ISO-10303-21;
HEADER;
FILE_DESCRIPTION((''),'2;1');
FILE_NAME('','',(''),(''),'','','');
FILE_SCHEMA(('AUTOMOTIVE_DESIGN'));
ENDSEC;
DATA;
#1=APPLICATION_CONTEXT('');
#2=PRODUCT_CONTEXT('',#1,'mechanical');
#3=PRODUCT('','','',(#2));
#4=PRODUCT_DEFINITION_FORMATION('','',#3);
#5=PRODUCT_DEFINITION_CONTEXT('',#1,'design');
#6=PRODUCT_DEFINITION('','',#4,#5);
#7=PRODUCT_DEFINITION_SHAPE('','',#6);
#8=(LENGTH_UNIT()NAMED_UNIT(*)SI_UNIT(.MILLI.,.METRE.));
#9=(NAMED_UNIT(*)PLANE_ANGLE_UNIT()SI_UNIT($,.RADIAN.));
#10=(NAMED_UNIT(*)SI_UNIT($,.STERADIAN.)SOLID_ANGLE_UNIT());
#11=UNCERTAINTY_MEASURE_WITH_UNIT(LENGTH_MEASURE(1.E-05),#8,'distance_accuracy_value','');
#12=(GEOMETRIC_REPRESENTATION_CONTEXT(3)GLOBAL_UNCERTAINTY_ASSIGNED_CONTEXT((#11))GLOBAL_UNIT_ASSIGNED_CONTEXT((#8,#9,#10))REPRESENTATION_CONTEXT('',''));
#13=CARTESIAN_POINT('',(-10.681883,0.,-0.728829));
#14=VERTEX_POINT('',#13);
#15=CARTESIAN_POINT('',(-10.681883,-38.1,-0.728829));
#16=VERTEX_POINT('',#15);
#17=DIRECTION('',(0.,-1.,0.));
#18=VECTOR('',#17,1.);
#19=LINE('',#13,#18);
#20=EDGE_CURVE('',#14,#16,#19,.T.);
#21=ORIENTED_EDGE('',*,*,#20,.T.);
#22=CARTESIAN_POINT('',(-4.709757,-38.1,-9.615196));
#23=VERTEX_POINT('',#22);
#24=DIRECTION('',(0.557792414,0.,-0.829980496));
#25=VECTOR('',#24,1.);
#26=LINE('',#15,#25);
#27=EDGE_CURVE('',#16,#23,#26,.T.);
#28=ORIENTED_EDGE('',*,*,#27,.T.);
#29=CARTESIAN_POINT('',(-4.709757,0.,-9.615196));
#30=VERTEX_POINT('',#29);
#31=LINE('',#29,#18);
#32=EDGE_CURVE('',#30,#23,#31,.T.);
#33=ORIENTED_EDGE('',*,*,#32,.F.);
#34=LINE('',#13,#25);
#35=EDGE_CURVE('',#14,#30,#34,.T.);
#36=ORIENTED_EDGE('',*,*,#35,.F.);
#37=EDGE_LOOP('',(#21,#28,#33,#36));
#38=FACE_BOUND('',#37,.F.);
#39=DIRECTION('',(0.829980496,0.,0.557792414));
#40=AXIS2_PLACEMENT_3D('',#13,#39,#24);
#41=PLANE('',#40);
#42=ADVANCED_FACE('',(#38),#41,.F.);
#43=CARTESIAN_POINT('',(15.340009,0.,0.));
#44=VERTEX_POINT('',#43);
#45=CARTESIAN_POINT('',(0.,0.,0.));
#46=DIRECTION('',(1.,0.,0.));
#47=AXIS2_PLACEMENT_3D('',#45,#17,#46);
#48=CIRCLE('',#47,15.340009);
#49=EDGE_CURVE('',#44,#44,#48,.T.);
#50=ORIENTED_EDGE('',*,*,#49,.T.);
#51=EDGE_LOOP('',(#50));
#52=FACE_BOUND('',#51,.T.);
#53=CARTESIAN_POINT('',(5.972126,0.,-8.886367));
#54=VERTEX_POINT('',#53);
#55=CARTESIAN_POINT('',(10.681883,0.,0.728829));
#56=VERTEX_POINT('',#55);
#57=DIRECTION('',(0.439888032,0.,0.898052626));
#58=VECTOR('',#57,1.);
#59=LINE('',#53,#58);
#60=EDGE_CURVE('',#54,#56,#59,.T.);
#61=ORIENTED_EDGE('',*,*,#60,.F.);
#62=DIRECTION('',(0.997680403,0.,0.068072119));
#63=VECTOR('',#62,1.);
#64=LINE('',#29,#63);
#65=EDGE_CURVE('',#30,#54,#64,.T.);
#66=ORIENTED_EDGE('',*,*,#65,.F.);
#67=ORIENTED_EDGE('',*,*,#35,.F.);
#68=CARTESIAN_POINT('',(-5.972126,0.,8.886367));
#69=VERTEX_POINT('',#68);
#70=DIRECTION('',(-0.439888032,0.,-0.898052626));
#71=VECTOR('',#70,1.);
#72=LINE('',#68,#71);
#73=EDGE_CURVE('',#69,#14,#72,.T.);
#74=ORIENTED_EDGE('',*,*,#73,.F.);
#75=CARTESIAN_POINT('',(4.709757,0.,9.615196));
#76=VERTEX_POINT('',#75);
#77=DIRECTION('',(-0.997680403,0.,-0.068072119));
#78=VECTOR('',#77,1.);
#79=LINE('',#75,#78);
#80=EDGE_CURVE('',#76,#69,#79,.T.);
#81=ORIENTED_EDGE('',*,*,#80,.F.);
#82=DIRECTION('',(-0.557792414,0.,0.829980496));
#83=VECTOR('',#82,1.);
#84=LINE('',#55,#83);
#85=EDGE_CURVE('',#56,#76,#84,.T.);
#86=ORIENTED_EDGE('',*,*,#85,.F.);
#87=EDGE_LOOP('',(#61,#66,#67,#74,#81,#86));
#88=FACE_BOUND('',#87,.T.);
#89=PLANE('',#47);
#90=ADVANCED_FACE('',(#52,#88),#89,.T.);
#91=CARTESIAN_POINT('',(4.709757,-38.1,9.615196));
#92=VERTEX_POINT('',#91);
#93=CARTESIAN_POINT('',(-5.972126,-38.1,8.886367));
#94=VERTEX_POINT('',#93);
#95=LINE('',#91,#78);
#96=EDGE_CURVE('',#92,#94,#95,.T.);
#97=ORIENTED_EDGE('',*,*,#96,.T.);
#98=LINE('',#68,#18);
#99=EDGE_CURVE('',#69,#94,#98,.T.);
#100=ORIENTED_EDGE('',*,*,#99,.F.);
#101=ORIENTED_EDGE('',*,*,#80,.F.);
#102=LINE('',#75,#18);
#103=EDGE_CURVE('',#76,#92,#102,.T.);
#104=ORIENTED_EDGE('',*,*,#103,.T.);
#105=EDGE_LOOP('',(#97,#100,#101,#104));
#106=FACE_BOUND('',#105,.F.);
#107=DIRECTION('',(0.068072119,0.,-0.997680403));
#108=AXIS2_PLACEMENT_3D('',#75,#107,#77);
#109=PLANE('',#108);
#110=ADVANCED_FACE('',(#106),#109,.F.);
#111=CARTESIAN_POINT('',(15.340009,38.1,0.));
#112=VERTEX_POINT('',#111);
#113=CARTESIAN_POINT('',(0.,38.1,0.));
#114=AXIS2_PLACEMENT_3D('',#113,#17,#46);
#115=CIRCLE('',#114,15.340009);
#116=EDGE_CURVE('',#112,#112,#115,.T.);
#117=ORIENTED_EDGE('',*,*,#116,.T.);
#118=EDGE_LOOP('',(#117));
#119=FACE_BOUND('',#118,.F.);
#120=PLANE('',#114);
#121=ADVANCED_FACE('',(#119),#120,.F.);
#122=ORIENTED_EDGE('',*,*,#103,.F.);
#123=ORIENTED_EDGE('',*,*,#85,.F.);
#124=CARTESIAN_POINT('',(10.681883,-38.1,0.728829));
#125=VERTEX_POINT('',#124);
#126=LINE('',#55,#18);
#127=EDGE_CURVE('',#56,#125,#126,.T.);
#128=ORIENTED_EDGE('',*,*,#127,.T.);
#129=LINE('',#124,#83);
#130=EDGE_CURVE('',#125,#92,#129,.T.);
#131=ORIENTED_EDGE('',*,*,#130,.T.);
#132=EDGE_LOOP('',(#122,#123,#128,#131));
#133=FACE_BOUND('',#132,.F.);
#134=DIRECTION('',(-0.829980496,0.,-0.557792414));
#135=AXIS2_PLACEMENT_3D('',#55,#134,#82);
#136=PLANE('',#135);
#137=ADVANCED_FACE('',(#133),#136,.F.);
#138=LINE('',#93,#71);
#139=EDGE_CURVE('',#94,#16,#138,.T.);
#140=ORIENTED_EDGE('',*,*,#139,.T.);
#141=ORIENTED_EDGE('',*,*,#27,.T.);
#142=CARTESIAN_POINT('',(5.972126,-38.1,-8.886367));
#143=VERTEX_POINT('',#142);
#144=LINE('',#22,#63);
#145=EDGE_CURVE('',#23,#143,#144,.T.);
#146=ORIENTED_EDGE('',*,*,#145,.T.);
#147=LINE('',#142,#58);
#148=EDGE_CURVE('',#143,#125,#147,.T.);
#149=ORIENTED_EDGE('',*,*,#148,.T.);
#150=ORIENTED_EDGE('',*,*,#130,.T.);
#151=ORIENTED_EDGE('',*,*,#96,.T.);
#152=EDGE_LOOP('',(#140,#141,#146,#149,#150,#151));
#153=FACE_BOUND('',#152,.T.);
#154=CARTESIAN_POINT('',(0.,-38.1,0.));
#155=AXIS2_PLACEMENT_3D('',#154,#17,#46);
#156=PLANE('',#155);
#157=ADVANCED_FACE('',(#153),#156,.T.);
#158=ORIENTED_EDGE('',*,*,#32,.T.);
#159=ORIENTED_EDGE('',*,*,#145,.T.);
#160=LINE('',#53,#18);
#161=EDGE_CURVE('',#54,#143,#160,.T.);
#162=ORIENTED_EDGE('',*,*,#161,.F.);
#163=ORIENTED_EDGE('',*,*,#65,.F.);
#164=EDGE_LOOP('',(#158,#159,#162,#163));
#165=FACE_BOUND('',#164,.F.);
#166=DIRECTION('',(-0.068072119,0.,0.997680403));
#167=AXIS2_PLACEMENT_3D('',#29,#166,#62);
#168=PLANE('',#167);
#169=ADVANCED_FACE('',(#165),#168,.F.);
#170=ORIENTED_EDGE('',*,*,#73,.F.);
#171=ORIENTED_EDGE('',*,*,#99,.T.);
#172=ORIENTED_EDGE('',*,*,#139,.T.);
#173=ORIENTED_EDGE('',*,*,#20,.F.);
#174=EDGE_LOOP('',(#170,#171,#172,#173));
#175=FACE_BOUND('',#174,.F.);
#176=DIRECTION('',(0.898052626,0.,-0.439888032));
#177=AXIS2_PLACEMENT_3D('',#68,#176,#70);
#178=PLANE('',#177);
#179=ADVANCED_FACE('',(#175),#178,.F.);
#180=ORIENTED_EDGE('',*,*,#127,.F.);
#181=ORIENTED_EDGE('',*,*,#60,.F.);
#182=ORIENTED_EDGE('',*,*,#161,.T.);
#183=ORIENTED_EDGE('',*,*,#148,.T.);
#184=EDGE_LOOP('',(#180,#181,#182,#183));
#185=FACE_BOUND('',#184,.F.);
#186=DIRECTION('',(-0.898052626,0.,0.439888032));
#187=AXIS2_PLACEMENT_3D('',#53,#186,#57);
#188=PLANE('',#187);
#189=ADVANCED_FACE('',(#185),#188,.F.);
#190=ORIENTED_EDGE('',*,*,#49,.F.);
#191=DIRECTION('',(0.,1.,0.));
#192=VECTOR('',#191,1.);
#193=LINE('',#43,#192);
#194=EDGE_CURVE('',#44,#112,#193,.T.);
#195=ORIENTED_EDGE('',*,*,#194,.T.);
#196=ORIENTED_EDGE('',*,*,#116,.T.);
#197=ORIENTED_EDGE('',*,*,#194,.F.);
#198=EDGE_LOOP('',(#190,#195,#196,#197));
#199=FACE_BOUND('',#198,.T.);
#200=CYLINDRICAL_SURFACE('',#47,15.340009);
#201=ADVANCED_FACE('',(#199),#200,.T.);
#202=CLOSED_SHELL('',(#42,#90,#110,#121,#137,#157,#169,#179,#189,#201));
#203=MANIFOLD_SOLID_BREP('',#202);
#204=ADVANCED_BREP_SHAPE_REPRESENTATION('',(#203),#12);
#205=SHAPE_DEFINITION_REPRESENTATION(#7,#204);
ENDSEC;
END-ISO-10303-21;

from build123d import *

# Parameters (mm, degrees)
F1_DEPTH = 38.1
F2_R     = 15.340009
F3_DEPTH = 38.1


with BuildPart() as f1:
    # F0 (on Front) → F1 (new body)
    with BuildSketch(Plane.XZ):
        Polygon((10.681883, 0.728829), (4.709757, 9.615196), (-5.972126, 8.886367), (-10.681883, -0.728829), (-4.709757, -9.615196), (5.972126, -8.886367), align=None)
    extrude(amount=F1_DEPTH)

    # F2 (on Front) → F3 (join)
    with BuildSketch(Plane.XZ):
        Circle(F2_R)
    extrude(amount=-F3_DEPTH)


solid = f1.part
